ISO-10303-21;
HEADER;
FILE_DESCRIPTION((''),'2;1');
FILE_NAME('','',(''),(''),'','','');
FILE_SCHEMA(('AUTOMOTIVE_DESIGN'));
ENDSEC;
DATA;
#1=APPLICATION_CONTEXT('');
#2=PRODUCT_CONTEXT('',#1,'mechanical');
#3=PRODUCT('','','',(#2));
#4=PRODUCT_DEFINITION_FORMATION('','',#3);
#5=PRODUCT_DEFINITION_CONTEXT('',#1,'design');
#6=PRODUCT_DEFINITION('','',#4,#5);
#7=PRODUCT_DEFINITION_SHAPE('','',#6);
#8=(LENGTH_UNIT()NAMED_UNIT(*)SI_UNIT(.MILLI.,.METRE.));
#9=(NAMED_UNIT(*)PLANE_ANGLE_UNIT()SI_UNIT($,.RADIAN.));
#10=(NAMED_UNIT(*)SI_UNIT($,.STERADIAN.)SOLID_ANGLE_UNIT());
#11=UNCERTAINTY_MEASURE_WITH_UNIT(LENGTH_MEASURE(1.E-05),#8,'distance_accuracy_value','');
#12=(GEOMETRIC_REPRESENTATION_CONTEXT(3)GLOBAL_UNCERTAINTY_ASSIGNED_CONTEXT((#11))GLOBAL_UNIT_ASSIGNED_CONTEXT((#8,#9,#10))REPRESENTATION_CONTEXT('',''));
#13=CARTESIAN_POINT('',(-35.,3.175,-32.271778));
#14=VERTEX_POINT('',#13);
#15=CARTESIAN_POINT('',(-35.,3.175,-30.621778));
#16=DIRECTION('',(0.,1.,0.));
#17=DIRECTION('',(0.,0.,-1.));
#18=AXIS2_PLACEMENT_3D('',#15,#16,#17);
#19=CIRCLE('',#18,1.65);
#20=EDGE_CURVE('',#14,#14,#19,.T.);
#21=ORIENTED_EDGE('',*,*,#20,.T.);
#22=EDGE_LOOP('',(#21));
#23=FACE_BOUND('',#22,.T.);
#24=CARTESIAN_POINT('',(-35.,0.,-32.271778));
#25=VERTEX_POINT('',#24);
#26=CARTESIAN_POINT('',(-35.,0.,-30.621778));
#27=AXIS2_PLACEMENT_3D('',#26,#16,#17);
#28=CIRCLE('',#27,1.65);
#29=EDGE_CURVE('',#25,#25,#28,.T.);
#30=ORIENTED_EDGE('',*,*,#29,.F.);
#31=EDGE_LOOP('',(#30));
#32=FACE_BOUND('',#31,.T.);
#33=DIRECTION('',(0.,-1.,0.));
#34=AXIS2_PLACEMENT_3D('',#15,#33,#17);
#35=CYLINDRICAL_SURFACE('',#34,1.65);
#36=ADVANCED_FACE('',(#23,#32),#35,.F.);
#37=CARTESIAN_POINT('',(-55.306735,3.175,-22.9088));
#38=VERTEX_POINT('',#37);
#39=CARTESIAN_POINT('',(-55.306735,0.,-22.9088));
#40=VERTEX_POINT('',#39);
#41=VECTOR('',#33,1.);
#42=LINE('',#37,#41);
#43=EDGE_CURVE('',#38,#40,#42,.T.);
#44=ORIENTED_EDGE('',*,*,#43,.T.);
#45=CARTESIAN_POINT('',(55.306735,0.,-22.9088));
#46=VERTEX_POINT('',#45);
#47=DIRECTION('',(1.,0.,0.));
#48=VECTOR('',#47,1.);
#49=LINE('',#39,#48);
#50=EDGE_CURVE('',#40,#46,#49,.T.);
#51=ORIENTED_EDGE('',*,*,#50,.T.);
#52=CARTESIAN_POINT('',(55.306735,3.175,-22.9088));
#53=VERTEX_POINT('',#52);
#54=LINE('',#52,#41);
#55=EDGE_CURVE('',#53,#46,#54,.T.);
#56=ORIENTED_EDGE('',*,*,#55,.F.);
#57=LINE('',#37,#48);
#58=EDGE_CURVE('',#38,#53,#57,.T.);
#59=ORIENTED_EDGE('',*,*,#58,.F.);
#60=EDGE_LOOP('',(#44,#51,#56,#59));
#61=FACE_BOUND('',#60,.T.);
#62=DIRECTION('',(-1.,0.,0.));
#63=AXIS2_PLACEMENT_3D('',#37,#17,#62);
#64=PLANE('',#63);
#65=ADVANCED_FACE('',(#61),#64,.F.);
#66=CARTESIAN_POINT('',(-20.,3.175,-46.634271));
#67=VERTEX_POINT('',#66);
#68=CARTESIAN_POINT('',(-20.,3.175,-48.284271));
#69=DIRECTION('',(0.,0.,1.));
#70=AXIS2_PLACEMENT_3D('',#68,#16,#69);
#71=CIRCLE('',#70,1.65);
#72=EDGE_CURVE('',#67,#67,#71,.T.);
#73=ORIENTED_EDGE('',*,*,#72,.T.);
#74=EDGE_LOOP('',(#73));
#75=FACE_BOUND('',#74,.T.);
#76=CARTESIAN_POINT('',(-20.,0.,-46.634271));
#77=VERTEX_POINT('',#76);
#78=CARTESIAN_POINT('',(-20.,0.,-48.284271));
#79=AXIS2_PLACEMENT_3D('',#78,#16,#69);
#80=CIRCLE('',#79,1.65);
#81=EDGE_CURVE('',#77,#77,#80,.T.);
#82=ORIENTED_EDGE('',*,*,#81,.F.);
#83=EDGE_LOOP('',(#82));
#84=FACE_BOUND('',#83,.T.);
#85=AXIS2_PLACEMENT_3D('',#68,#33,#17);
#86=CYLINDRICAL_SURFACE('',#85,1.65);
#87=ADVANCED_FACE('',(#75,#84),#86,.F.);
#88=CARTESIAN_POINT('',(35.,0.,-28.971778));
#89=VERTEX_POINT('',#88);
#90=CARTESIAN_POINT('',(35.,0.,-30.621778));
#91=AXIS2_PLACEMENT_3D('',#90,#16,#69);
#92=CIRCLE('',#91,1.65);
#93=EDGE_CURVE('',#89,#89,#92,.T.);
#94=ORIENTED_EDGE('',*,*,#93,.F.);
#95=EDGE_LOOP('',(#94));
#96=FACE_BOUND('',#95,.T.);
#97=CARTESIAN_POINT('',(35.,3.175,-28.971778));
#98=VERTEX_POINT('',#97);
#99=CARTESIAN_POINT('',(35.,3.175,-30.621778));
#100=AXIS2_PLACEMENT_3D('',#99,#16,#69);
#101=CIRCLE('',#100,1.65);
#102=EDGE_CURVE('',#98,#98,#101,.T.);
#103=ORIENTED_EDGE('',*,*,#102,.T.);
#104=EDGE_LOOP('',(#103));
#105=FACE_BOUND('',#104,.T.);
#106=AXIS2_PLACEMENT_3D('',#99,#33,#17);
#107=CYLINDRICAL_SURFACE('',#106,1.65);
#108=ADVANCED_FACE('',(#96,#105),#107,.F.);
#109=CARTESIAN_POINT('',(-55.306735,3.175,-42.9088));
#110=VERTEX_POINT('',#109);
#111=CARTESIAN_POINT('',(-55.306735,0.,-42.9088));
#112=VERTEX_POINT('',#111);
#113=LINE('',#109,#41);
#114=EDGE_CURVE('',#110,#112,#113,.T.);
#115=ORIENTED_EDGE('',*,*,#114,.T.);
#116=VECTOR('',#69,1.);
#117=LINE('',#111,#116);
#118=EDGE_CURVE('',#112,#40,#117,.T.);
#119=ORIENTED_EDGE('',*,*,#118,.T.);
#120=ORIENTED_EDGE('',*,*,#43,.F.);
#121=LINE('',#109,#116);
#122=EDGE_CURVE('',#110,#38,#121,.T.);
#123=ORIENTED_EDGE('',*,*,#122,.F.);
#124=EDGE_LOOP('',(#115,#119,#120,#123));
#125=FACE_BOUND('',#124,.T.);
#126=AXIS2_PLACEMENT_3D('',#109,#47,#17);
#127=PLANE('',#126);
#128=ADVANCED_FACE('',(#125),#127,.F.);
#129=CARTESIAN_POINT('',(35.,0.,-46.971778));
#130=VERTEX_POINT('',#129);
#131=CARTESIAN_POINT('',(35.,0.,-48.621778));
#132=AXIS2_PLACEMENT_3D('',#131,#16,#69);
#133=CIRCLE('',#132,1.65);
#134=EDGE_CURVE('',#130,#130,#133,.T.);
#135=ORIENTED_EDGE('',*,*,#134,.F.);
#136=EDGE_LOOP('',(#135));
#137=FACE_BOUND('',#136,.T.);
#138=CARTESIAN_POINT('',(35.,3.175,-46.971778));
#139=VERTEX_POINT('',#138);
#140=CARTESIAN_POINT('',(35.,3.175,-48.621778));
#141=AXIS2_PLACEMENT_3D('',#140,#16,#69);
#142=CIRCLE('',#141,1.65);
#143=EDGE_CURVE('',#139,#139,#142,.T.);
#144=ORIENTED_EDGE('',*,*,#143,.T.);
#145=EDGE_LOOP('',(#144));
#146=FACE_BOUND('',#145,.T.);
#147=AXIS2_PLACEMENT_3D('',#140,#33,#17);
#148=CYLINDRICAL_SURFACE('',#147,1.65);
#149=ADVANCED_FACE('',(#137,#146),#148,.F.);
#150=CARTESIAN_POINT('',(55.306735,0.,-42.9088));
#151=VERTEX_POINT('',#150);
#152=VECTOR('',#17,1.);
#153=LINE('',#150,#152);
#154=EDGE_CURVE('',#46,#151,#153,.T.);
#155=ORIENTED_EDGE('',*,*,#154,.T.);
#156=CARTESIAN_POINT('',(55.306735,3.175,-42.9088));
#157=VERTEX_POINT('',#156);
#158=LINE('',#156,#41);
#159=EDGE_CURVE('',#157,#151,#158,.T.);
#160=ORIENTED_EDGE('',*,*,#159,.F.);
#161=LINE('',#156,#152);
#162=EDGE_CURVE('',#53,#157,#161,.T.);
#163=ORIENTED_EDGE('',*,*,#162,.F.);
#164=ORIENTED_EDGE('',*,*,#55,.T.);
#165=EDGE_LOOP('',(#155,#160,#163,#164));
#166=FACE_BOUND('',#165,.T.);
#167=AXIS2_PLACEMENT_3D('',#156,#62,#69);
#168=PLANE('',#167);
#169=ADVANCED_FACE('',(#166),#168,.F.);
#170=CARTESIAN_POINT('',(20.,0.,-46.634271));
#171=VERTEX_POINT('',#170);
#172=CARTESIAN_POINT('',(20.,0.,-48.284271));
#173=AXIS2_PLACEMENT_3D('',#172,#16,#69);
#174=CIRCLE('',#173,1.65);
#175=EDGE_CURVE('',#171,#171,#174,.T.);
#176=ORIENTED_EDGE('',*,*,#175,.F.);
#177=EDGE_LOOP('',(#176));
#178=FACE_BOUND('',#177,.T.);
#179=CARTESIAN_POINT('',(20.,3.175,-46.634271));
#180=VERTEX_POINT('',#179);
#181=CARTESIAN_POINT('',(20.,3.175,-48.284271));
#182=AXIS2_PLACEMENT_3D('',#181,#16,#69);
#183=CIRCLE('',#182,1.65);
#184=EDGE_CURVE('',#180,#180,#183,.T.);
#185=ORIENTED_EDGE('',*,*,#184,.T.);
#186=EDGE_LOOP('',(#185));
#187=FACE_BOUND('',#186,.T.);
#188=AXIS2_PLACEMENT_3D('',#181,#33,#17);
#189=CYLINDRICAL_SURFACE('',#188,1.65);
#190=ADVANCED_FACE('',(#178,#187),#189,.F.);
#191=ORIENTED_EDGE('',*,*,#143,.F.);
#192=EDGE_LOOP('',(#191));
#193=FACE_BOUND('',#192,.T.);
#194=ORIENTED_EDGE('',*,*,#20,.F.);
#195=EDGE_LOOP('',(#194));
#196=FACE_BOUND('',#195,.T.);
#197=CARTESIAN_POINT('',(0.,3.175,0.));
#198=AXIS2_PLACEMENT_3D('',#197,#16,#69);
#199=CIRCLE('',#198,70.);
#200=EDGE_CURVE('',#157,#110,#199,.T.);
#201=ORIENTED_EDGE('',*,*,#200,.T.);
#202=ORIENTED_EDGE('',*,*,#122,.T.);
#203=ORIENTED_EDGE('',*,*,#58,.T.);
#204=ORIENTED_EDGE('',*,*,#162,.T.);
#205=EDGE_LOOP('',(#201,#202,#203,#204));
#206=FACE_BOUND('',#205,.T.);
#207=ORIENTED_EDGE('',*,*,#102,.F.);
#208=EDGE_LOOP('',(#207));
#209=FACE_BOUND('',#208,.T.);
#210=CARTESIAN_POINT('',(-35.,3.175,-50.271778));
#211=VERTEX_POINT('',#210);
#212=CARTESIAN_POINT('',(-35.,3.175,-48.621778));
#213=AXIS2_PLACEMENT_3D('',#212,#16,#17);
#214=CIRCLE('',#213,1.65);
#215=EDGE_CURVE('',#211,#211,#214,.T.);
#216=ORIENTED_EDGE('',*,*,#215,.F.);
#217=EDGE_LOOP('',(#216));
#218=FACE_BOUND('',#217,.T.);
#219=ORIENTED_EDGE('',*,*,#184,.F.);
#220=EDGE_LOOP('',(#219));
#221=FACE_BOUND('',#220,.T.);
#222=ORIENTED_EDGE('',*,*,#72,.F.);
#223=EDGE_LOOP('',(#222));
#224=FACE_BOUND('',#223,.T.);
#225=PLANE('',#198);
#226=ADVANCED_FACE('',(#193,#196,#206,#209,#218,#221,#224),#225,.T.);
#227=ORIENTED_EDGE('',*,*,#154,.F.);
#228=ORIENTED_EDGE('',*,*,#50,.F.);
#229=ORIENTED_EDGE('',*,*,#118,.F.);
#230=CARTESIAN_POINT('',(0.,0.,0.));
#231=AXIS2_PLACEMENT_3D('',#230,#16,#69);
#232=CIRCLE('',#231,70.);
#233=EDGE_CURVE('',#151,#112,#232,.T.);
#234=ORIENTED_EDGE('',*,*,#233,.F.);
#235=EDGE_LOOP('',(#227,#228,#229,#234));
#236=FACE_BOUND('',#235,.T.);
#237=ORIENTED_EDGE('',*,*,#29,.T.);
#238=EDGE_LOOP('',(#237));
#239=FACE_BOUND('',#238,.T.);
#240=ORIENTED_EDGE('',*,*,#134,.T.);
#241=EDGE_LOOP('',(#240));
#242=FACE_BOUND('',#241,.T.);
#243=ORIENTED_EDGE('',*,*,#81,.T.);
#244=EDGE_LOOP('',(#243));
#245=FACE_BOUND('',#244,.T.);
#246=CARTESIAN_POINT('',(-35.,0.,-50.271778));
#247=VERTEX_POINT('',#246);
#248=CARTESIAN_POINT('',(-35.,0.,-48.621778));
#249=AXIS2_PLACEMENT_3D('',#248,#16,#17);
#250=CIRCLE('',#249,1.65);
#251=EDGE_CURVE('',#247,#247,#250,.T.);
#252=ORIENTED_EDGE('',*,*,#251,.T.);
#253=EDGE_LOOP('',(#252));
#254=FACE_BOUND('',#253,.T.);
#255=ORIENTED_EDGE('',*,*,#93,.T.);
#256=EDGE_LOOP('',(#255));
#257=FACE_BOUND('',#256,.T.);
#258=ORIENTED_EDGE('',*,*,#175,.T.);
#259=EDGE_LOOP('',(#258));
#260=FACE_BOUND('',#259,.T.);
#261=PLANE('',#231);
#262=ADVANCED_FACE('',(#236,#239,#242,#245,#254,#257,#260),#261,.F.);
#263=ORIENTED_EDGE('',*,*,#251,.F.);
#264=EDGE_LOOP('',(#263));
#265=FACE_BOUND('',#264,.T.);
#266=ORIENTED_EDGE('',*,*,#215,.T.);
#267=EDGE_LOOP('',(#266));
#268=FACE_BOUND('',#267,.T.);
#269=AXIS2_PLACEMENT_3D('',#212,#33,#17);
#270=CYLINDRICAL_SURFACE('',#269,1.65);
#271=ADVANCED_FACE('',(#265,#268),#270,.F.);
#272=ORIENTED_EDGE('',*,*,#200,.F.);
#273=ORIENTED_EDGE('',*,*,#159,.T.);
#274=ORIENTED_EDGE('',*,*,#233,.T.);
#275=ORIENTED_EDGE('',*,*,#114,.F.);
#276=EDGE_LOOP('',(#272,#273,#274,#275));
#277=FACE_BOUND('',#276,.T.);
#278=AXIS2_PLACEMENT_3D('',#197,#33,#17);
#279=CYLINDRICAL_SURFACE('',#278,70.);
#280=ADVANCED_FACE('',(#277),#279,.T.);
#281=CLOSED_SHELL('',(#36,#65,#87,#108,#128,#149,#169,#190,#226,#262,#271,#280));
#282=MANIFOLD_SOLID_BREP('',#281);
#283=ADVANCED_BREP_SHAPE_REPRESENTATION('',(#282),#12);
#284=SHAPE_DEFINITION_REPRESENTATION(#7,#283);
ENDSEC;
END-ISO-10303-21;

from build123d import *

# Parameters (mm, degrees)
SKETCH1_R           = 1.65
BOSS_EXTRUDE2_DEPTH = 3.175


with BuildPart() as part:
    # Sketch1 → Boss-Extrude2 (new body)
    with BuildSketch(Plane(origin=(0, 0, 0), x_dir=(1, 0, 0), z_dir=(0, 1, 0))):
        with BuildLine():
            Line((-55.306734792, 42.908799641), (-55.306734792, 22.908799641))
            Line((-55.306734792, 22.908799641), (55.306734792, 22.908799641))
            Line((55.306734792, 22.908799641), (55.306734792, 42.908799641))
            ThreePointArc((55.306734792, 42.908799641), (0, 70), (-55.306734792, 42.908799641))
        make_face()
        with Locations((35, 48.621778265)):
            Circle(SKETCH1_R, mode=Mode.SUBTRACT)
        with Locations((35, 30.621778265)):
            Circle(SKETCH1_R, mode=Mode.SUBTRACT)
        with Locations((-35, 30.621778265)):
            Circle(SKETCH1_R, mode=Mode.SUBTRACT)
        with Locations((-35, 48.621778265)):
            Circle(SKETCH1_R, mode=Mode.SUBTRACT)
        with Locations((20, 48.284271247)):
            Circle(SKETCH1_R, mode=Mode.SUBTRACT)
        with Locations((-20, 48.284271247)):
            Circle(SKETCH1_R, mode=Mode.SUBTRACT)
    extrude(amount=BOSS_EXTRUDE2_DEPTH)


solid = part.part
